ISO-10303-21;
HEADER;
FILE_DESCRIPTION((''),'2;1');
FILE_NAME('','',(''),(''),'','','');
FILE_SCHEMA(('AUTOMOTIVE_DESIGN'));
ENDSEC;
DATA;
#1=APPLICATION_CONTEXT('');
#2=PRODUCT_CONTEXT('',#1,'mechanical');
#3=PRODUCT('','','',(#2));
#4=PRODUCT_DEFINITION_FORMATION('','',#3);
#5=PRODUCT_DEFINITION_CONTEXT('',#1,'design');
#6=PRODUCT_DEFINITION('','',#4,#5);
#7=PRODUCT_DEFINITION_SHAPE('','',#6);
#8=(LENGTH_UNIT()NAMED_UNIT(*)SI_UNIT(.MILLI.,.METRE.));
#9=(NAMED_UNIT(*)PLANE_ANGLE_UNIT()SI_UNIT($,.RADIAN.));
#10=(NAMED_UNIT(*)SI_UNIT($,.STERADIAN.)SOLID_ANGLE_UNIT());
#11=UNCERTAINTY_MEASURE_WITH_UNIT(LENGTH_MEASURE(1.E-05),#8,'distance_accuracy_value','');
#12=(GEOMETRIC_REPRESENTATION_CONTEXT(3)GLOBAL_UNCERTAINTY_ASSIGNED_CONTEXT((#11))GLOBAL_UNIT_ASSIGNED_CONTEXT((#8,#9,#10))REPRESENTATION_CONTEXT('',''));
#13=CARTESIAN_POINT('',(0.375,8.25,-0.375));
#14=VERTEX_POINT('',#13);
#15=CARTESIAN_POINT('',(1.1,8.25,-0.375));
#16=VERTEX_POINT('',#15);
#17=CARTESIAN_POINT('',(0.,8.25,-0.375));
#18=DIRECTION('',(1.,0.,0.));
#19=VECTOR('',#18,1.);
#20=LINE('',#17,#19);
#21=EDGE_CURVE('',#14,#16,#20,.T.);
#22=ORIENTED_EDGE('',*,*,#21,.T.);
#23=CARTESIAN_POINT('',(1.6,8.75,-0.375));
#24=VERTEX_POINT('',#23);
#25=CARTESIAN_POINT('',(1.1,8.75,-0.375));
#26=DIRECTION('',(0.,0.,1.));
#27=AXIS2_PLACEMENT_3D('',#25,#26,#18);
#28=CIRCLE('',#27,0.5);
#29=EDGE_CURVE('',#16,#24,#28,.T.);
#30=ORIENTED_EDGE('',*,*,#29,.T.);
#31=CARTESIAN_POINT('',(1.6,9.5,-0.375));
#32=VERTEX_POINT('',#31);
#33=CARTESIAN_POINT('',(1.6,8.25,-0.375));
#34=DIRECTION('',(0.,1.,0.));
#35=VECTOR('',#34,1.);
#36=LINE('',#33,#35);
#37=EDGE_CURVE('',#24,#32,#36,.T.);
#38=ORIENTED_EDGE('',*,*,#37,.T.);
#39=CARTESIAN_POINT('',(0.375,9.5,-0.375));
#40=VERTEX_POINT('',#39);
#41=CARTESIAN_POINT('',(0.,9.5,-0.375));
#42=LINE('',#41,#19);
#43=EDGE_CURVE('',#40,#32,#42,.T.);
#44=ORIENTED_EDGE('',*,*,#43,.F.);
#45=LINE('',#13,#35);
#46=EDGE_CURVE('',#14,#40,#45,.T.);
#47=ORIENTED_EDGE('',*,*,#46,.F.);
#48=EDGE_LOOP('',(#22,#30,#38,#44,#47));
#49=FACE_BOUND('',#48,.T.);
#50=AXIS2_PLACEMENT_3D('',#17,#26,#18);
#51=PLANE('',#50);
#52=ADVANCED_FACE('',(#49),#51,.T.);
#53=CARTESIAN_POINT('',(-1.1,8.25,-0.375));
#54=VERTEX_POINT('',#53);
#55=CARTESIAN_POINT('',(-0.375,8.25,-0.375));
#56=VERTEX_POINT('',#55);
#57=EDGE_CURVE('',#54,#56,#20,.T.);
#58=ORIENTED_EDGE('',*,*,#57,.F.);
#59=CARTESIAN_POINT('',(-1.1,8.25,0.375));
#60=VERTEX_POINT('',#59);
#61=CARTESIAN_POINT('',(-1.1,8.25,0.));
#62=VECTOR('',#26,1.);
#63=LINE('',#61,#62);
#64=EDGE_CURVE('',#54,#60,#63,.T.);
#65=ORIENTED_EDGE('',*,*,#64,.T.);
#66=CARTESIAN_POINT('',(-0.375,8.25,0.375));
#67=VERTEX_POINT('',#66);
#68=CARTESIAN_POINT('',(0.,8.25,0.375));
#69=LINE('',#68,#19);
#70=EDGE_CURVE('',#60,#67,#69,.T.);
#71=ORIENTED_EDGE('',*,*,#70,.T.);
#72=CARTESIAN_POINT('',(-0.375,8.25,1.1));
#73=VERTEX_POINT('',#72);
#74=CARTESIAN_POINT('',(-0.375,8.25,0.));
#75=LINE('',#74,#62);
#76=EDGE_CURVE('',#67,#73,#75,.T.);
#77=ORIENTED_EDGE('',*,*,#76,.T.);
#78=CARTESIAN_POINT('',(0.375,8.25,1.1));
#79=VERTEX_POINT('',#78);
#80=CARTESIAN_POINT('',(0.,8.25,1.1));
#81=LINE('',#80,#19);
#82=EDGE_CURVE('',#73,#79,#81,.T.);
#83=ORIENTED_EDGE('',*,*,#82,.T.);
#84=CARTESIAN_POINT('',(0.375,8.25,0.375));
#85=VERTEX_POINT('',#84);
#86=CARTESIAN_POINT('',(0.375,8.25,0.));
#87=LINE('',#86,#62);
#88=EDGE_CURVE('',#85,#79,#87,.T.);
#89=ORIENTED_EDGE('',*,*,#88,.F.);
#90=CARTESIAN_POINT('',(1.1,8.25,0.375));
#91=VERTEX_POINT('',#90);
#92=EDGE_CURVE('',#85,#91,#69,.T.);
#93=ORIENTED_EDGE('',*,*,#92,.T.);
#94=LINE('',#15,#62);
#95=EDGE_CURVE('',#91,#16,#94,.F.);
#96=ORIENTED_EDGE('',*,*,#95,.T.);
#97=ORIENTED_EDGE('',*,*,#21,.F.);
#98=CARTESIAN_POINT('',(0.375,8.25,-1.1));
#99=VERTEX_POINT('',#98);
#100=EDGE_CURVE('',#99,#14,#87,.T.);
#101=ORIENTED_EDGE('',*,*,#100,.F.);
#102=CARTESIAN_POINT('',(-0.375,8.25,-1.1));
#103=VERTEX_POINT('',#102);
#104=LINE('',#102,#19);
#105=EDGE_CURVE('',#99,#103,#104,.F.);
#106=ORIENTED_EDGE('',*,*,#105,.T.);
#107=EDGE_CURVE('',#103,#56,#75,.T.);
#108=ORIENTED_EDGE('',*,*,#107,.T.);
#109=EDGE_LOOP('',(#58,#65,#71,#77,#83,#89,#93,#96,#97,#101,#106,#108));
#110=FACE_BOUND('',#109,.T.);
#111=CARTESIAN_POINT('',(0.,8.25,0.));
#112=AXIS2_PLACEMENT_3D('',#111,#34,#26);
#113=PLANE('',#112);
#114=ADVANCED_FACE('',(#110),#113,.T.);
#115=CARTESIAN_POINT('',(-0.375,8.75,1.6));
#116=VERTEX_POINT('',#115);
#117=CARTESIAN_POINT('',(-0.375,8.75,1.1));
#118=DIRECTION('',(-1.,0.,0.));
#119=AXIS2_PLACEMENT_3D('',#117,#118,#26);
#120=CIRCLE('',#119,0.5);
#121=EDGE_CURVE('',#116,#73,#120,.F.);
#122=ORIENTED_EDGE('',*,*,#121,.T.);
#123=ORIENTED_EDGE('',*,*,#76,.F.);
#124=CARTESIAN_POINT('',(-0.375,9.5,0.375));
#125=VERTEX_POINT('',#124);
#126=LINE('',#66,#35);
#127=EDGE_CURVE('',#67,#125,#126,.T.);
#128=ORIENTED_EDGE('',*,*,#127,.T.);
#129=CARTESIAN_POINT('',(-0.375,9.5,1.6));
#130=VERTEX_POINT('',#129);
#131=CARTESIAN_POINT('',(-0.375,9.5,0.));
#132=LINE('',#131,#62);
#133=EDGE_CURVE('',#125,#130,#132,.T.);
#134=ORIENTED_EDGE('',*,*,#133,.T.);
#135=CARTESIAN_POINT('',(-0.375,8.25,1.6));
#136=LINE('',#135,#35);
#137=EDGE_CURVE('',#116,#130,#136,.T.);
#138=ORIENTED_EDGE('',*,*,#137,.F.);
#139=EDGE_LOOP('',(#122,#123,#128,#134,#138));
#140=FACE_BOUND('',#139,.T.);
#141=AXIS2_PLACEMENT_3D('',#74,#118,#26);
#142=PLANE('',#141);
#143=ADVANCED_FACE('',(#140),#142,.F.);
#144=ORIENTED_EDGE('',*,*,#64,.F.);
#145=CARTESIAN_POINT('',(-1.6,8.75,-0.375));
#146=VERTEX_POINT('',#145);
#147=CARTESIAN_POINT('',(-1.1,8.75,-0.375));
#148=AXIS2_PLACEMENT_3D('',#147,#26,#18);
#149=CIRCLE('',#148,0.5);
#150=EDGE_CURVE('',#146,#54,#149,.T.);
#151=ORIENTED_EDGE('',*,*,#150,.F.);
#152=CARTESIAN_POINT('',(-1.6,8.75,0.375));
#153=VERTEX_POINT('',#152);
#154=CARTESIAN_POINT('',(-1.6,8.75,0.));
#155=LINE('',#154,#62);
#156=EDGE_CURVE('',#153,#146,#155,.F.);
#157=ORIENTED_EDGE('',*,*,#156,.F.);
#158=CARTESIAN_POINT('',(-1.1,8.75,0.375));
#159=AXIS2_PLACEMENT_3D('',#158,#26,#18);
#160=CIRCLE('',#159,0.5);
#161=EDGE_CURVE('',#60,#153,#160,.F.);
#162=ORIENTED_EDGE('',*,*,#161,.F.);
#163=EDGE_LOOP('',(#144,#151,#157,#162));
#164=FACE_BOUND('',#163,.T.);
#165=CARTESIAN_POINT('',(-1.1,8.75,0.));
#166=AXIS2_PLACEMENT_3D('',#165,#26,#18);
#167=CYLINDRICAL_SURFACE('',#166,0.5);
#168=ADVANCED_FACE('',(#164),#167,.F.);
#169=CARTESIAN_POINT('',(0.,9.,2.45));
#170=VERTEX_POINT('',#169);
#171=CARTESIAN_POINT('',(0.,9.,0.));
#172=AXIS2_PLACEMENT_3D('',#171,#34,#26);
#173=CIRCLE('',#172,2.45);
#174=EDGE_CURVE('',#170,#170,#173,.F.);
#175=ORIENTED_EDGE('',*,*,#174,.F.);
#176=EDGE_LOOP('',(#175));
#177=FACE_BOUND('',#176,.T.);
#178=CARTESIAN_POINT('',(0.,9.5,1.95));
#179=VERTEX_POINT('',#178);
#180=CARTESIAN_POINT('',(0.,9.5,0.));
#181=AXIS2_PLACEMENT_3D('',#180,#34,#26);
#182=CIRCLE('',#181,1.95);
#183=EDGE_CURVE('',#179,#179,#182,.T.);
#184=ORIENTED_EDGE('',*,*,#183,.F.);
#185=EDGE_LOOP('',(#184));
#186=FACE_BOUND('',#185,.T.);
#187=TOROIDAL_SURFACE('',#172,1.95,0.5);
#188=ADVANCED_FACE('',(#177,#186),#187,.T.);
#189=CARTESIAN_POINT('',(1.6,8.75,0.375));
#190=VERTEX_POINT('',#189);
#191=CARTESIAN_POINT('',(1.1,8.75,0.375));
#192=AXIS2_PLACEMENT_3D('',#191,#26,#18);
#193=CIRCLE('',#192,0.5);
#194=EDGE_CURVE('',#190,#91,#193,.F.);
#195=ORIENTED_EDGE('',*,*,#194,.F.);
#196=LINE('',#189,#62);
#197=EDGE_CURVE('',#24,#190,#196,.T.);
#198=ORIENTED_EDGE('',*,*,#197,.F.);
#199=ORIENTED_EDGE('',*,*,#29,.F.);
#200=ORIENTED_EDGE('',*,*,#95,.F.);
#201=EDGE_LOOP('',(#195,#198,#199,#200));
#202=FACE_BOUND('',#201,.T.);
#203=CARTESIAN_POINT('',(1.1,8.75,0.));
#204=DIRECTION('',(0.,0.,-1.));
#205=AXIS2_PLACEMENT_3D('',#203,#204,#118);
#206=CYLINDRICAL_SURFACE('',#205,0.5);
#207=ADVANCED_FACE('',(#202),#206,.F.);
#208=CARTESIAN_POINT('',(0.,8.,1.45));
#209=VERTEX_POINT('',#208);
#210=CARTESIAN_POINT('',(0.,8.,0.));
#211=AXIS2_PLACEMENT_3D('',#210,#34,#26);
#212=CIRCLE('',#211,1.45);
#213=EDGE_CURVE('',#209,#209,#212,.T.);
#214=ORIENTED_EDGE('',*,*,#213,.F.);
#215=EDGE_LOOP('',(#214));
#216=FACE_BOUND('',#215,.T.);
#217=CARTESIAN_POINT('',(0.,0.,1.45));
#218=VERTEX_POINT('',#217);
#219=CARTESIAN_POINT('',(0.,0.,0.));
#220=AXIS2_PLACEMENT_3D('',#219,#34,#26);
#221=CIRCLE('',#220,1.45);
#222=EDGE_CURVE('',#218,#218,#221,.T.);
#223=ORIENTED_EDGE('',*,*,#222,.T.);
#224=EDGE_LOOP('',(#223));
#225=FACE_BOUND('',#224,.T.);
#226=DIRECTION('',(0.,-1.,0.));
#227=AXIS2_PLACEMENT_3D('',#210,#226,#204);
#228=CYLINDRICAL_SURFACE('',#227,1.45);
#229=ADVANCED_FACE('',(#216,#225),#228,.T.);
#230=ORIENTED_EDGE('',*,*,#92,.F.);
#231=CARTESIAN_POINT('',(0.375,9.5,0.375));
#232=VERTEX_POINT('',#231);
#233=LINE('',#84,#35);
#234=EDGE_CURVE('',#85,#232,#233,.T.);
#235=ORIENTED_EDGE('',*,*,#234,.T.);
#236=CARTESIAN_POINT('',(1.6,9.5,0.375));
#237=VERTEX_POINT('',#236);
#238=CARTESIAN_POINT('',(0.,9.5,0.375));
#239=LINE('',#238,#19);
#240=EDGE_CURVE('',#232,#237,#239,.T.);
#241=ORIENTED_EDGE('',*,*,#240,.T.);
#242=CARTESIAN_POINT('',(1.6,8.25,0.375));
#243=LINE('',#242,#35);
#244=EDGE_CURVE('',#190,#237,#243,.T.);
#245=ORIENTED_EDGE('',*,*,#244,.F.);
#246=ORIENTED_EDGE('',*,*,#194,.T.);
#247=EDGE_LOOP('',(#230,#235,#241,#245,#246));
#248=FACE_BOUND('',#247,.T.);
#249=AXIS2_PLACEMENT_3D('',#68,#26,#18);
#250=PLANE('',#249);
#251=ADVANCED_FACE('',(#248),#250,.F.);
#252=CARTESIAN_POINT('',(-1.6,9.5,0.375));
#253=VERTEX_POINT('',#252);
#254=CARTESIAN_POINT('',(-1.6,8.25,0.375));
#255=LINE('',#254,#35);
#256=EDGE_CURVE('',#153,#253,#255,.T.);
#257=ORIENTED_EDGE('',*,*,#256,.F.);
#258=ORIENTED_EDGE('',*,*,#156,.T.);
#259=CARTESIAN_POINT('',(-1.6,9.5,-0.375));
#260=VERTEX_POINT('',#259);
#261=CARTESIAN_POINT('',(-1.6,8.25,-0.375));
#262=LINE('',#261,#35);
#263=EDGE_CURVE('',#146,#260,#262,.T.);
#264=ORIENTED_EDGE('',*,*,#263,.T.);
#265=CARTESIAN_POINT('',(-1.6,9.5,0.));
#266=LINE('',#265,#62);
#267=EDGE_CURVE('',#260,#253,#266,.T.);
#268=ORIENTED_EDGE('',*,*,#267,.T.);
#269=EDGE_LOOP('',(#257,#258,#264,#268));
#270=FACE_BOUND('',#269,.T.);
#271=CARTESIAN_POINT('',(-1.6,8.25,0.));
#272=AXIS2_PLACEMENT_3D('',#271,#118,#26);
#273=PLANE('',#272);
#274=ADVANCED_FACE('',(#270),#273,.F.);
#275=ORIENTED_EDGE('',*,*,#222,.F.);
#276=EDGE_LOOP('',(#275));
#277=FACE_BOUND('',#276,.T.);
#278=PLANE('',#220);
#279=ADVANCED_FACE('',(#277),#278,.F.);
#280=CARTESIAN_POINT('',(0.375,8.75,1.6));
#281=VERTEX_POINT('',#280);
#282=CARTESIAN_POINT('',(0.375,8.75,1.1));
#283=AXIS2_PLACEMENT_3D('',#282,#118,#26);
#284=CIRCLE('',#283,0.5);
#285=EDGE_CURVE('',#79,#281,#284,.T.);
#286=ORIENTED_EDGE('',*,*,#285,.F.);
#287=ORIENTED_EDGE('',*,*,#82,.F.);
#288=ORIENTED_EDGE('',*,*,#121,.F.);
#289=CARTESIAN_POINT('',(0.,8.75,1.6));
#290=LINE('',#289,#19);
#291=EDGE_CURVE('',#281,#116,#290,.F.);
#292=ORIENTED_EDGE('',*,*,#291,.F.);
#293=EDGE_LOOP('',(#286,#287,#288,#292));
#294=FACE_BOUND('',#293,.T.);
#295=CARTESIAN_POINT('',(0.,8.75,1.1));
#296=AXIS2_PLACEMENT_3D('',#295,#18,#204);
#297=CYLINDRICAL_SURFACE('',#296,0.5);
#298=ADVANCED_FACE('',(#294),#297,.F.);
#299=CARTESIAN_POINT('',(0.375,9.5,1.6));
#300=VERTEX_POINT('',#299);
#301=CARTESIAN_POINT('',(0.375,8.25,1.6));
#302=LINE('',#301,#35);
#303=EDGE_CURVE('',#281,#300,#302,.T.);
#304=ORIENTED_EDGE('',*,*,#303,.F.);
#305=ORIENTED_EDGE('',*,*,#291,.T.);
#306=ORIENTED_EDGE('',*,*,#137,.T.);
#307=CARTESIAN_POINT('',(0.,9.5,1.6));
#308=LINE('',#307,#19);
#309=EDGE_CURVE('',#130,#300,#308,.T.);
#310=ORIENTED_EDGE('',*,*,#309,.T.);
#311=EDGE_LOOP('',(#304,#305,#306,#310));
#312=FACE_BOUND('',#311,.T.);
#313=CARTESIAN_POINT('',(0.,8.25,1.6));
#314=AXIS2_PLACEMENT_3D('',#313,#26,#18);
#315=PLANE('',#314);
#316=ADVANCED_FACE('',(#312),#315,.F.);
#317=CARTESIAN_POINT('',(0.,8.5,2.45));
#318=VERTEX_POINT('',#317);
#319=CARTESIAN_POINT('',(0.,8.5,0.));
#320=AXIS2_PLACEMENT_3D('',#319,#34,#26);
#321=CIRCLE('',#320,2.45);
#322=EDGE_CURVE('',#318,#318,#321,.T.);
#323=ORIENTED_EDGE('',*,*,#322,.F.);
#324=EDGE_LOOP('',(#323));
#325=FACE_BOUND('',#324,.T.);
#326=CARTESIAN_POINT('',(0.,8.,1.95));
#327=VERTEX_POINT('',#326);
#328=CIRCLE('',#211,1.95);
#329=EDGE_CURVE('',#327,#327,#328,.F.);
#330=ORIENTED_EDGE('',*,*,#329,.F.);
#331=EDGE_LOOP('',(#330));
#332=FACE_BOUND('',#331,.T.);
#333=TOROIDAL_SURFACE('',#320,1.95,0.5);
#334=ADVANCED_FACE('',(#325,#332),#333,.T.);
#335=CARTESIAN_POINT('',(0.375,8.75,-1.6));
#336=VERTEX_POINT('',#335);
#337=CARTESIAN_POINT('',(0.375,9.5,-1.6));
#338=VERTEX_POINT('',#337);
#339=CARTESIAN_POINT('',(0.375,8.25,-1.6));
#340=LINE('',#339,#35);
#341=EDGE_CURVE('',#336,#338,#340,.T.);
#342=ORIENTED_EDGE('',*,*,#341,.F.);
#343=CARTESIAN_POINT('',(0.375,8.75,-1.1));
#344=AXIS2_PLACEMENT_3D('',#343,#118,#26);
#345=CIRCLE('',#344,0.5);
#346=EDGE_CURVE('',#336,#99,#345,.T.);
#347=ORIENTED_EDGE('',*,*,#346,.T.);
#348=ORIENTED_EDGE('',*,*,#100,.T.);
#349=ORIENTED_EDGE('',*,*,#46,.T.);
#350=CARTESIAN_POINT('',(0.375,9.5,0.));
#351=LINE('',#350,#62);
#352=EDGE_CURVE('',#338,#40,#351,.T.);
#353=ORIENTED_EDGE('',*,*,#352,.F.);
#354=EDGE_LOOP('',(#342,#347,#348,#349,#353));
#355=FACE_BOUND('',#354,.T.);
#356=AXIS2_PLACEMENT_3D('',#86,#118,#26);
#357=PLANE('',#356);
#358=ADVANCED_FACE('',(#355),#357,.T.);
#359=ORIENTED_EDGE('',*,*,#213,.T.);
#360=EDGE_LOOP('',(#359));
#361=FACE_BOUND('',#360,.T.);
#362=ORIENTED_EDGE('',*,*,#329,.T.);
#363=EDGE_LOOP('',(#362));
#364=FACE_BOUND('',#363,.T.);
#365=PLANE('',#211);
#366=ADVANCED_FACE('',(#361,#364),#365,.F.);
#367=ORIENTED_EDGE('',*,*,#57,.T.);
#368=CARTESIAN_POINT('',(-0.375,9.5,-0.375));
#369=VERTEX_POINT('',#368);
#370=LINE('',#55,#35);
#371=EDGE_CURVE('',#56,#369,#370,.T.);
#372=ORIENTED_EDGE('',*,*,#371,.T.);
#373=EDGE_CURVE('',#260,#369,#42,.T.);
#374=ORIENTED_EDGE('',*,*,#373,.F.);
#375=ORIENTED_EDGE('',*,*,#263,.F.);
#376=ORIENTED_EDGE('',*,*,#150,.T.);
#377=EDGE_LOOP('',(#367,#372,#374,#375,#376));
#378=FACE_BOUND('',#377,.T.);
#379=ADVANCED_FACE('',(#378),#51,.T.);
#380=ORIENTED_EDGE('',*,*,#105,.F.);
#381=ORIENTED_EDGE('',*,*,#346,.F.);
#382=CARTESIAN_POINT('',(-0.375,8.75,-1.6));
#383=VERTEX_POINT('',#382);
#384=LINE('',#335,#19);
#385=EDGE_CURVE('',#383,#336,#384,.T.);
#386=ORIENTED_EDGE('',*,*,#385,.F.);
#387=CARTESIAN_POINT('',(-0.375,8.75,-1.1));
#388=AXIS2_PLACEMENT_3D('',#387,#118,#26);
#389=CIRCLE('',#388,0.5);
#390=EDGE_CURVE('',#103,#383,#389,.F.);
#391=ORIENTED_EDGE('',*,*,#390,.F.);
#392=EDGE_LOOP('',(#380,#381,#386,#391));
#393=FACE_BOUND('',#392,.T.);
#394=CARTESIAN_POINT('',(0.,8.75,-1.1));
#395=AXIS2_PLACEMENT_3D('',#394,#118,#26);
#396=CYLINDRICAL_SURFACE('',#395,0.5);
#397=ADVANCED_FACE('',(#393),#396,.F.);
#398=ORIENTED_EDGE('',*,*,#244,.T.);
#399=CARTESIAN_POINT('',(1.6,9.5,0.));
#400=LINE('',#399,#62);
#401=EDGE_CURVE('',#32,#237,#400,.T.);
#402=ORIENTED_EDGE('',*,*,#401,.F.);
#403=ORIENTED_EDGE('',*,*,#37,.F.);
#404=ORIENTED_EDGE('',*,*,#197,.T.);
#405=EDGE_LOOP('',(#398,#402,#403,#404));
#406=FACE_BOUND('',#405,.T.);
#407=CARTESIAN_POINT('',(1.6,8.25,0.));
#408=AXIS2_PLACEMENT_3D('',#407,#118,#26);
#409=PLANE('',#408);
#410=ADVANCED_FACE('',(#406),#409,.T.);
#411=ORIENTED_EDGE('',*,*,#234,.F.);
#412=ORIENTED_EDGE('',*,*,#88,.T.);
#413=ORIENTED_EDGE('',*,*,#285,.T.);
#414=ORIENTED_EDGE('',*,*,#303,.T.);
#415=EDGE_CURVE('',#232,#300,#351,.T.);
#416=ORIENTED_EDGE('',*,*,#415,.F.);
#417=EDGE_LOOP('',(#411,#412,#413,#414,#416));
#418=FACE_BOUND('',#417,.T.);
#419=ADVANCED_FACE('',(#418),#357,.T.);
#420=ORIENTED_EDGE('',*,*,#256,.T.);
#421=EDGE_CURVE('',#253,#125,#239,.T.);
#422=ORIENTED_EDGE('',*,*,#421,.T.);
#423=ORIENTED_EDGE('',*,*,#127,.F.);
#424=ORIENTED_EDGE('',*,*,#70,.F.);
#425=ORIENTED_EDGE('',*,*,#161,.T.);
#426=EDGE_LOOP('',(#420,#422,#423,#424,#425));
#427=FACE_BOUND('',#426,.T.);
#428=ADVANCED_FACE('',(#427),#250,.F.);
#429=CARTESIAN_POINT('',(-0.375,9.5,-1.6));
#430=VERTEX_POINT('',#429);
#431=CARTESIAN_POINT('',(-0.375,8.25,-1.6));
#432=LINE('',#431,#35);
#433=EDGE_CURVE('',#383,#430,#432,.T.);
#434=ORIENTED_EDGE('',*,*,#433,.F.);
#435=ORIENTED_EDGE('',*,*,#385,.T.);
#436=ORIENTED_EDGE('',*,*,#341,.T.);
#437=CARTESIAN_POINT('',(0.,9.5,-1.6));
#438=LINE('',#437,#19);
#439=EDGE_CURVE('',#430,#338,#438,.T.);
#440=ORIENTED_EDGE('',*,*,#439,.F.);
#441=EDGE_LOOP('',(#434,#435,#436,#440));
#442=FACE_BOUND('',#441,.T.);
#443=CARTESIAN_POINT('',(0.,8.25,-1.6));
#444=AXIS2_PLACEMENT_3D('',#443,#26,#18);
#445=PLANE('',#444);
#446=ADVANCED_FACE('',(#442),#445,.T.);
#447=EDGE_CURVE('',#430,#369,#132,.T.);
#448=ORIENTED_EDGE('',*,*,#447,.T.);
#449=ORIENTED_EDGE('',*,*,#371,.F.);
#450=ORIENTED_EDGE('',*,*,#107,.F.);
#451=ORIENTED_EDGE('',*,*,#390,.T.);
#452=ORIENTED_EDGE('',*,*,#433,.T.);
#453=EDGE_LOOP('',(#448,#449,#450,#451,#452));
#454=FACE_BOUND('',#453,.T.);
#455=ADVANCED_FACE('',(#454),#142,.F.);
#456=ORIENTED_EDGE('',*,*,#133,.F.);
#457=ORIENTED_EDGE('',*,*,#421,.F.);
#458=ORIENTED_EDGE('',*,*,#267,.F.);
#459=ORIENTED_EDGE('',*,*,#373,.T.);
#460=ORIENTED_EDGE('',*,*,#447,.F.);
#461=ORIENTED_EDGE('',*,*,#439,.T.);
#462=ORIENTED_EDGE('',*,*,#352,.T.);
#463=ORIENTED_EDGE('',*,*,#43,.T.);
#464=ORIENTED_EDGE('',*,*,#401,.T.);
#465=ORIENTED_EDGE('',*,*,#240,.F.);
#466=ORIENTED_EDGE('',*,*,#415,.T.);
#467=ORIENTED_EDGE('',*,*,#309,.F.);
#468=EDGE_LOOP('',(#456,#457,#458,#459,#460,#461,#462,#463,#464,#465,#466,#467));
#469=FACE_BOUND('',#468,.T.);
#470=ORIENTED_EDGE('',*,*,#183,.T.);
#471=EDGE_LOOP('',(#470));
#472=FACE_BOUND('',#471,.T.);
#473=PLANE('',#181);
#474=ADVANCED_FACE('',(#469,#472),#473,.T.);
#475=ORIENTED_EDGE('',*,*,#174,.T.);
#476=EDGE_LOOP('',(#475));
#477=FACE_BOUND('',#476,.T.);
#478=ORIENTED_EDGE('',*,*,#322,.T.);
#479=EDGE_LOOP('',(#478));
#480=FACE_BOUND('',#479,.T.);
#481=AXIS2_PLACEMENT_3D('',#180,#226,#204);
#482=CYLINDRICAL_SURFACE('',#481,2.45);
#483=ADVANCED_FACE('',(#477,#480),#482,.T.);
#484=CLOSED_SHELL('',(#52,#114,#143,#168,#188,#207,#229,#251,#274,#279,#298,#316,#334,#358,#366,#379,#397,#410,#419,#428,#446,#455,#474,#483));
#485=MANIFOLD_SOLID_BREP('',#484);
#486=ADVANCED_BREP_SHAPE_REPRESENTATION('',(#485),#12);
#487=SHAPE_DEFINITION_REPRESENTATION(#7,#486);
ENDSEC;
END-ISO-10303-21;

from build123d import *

# Parameters (mm, degrees)
SKETCH1_R           = 1.45
BOSS_EXTRUDE1_DEPTH = 8
SKETCH2_R           = 2.45
BOSS_EXTRUDE2_DEPTH = 1.5
FILLET1_R           = 0.5
SKETCH3_W           = 0.75
SKETCH3_H           = 1.225
SKETCH3_H_2         = 0.75
SKETCH3_W_2         = 1.225
CUT_EXTRUDE1_DEPTH  = 1.25
FILLET4_R           = 0.5


with BuildPart() as part:
    # Sketch1 → Boss-Extrude1 (new body)
    with BuildSketch(Plane(origin=(0, 0, 0), x_dir=(1, 0, 0), z_dir=(0, 1, 0))):
        with Locations(Location((0, 0, 0), (0, 0, 270))):
            Circle(SKETCH1_R)
    extrude(amount=BOSS_EXTRUDE1_DEPTH)

    # Sketch2 → Boss-Extrude2 (add)
    with BuildSketch(Plane(origin=(0, 8, 0), x_dir=(1, 0, 0), z_dir=(0, 1, 0))):
        with Locations(Location((0, 0, 0), (0, 0, 270))):
            Circle(SKETCH2_R)
    extrude(amount=BOSS_EXTRUDE2_DEPTH)

    # Fillet1
    fillet1_edges = [part.edges().sort_by_distance(p)[0] for p in [
        (0, 8, -2.45),
        (0, 9.5, -2.45),
    ]]
    fillet(fillet1_edges, radius=FILLET1_R)

    # Sketch3 → Cut-Extrude1 (cut)
    with BuildSketch(Plane(origin=(0, 9.5, 0), x_dir=(1, 0, 0), z_dir=(0, 1, 0))):
        with Locations((0, 0.9875)):
            Rectangle(SKETCH3_W, SKETCH3_H)
        Rectangle(SKETCH3_W, SKETCH3_H_2)
        with Locations((0, -0.9875)):
            Rectangle(SKETCH3_W, SKETCH3_H)
        with Locations((0.9875, 0)):
            Rectangle(SKETCH3_W_2, SKETCH3_H_2)
        with Locations((-0.9875, 0)):
            Rectangle(SKETCH3_W_2, SKETCH3_H_2)
    extrude(amount=-CUT_EXTRUDE1_DEPTH, mode=Mode.SUBTRACT)

    # Fillet4
    fillet4_edges = [part.edges().sort_by_distance(p)[0] for p in [
        (0, 8.25, 1.6),
        (-1.6, 8.25, 0),
        (0, 8.25, -1.6),
        (1.6, 8.25, 0),
    ]]
    fillet(fillet4_edges, radius=FILLET4_R)


solid = part.part
